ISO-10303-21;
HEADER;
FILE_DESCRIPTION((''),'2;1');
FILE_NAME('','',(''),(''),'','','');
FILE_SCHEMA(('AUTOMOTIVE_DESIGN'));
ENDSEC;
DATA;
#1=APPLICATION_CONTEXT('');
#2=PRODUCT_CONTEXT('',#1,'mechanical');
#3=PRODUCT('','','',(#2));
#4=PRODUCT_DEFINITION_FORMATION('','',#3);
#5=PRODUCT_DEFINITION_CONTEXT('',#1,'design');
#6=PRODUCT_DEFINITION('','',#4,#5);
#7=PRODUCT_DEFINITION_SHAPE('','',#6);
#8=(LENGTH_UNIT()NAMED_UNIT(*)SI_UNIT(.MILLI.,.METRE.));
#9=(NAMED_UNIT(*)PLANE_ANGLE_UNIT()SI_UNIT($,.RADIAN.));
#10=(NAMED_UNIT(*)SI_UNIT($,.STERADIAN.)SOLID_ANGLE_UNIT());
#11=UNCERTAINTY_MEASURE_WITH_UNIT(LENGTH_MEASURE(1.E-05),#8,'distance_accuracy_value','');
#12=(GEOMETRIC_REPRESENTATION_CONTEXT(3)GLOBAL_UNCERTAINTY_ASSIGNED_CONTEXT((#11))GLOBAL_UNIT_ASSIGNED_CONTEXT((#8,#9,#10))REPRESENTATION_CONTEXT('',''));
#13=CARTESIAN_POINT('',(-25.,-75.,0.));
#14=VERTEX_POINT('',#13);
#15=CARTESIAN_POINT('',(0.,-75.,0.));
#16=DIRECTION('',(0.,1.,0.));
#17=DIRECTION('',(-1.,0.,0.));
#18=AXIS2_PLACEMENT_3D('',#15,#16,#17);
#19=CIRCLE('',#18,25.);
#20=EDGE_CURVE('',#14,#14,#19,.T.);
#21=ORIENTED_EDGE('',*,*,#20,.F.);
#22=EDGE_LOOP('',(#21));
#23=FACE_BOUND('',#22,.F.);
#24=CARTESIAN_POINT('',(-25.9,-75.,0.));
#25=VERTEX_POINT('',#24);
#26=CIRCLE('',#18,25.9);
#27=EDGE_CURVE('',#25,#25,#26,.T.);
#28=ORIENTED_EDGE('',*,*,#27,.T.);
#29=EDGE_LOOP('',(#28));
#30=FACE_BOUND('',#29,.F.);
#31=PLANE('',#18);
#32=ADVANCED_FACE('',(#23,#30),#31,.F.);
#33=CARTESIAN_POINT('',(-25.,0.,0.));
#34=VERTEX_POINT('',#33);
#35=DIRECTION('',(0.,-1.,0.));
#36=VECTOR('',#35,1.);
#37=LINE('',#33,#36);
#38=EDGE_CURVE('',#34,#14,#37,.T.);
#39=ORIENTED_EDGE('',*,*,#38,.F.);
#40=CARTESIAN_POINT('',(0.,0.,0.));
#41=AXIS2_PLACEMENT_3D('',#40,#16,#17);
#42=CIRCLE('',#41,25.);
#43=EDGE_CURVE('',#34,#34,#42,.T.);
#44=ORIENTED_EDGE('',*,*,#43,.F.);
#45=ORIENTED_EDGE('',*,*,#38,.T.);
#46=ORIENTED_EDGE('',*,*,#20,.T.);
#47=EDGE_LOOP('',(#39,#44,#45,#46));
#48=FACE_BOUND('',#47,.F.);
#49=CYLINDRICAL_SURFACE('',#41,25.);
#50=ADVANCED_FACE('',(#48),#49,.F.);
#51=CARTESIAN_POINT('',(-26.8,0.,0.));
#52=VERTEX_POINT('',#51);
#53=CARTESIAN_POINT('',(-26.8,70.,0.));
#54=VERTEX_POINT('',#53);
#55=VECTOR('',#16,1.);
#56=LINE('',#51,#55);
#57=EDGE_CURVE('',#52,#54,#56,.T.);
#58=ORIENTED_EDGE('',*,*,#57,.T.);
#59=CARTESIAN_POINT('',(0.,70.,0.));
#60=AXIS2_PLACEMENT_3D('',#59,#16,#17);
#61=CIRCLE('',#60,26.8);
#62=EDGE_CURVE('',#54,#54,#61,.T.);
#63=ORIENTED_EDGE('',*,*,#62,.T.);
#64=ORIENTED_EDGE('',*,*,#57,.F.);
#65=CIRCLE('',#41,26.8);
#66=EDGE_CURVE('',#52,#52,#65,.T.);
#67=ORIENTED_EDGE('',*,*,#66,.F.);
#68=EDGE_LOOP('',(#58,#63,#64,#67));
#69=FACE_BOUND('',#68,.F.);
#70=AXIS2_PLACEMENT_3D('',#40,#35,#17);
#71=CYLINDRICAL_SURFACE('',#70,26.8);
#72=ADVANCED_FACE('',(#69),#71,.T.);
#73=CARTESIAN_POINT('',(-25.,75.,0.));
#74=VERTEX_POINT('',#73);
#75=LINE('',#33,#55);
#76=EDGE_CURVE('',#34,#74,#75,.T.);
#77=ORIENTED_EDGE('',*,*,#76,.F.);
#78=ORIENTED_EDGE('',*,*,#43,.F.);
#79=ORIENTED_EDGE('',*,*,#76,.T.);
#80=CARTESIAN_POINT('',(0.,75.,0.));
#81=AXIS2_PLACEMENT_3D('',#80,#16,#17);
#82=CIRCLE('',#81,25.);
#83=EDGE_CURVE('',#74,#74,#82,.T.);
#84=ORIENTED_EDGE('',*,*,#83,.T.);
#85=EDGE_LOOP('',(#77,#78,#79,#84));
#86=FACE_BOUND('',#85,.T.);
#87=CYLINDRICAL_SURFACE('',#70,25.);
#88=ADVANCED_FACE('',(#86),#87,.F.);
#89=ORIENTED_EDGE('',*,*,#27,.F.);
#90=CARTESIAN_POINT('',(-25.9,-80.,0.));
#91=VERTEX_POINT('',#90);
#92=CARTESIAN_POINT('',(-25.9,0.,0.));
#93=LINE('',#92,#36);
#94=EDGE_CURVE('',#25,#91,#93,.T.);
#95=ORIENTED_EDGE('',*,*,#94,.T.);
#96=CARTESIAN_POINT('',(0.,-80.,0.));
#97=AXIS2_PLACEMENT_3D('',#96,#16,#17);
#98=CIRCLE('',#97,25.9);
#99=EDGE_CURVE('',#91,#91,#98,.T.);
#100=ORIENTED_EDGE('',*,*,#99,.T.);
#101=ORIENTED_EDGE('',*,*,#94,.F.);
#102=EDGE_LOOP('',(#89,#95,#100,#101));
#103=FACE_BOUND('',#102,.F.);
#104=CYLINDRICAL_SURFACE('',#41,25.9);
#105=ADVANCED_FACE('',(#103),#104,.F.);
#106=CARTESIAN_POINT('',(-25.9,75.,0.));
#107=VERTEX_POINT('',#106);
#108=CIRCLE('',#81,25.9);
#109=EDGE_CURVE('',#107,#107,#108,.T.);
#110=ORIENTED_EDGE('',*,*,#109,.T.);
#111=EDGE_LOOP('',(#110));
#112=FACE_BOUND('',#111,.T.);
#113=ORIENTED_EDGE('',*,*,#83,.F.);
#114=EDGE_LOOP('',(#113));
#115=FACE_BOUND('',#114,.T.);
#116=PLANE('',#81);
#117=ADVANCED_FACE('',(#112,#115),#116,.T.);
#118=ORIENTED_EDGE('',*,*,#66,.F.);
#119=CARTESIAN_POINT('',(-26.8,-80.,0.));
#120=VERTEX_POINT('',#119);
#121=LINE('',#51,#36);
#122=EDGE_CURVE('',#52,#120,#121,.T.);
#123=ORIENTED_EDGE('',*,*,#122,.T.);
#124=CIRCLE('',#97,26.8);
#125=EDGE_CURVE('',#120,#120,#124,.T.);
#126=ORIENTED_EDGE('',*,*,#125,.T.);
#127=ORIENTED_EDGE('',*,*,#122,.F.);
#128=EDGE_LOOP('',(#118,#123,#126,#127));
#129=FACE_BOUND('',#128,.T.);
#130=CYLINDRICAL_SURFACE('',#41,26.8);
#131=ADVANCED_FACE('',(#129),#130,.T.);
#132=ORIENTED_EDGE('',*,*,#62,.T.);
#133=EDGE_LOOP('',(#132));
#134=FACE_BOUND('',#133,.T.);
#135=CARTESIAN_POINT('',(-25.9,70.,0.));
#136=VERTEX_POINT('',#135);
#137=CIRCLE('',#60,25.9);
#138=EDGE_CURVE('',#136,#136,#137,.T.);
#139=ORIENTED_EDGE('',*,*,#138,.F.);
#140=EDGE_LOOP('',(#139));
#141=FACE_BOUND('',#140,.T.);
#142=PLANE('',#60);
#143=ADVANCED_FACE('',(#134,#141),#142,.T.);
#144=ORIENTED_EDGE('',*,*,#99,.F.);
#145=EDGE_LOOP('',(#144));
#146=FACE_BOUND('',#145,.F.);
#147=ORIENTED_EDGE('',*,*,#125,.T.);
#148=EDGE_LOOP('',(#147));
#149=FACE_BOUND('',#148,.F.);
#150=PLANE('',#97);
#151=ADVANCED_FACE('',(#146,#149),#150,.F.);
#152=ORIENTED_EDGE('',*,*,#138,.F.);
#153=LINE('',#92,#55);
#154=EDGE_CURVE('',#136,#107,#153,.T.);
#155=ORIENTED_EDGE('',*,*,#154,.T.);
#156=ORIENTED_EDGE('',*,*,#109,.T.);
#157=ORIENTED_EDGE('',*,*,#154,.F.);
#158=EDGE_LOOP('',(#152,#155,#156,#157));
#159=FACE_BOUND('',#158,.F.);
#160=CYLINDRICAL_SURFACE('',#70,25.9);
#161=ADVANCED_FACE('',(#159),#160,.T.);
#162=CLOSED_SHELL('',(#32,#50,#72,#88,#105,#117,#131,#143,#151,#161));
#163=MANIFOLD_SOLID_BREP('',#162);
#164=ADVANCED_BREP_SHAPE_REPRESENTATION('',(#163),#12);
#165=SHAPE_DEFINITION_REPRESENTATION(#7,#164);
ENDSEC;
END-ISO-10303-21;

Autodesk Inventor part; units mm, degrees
ref_plane "YZ Plane" through (0, 0, 0) normal (1, 0, 0) x (0, 1, 0)
ref_plane "XZ Plane" through (0, 0, 0) normal (0, 1, 0) x (-1, 0, 0)
ref_plane "XY Plane" through (0, 0, 0) normal (0, 0, 1) x (1, 0, 0)
sketch "Sketch1" plane through (0, 0, 0) normal (0, 1, 0) x (-1, 0, 0)
  circle A0 centre (0, 0) radius 25.9
  circle A1 centre (0, 0) radius 25
  circle A2 centre (0, 0) radius 26.8
  dimension "d0" = 51.8
  dimension "d1" = 50
  dimension "d2" = 53.6
extrude "Extrusion1" add sketch "Sketch1" along normal mid plane 150 contours A0
extrude "Extrusion2" add sketch "Sketch1" along normal blind 70 and the other way blind 80 contours A2
properties part number "extraTube" material "ABS Plastic"
